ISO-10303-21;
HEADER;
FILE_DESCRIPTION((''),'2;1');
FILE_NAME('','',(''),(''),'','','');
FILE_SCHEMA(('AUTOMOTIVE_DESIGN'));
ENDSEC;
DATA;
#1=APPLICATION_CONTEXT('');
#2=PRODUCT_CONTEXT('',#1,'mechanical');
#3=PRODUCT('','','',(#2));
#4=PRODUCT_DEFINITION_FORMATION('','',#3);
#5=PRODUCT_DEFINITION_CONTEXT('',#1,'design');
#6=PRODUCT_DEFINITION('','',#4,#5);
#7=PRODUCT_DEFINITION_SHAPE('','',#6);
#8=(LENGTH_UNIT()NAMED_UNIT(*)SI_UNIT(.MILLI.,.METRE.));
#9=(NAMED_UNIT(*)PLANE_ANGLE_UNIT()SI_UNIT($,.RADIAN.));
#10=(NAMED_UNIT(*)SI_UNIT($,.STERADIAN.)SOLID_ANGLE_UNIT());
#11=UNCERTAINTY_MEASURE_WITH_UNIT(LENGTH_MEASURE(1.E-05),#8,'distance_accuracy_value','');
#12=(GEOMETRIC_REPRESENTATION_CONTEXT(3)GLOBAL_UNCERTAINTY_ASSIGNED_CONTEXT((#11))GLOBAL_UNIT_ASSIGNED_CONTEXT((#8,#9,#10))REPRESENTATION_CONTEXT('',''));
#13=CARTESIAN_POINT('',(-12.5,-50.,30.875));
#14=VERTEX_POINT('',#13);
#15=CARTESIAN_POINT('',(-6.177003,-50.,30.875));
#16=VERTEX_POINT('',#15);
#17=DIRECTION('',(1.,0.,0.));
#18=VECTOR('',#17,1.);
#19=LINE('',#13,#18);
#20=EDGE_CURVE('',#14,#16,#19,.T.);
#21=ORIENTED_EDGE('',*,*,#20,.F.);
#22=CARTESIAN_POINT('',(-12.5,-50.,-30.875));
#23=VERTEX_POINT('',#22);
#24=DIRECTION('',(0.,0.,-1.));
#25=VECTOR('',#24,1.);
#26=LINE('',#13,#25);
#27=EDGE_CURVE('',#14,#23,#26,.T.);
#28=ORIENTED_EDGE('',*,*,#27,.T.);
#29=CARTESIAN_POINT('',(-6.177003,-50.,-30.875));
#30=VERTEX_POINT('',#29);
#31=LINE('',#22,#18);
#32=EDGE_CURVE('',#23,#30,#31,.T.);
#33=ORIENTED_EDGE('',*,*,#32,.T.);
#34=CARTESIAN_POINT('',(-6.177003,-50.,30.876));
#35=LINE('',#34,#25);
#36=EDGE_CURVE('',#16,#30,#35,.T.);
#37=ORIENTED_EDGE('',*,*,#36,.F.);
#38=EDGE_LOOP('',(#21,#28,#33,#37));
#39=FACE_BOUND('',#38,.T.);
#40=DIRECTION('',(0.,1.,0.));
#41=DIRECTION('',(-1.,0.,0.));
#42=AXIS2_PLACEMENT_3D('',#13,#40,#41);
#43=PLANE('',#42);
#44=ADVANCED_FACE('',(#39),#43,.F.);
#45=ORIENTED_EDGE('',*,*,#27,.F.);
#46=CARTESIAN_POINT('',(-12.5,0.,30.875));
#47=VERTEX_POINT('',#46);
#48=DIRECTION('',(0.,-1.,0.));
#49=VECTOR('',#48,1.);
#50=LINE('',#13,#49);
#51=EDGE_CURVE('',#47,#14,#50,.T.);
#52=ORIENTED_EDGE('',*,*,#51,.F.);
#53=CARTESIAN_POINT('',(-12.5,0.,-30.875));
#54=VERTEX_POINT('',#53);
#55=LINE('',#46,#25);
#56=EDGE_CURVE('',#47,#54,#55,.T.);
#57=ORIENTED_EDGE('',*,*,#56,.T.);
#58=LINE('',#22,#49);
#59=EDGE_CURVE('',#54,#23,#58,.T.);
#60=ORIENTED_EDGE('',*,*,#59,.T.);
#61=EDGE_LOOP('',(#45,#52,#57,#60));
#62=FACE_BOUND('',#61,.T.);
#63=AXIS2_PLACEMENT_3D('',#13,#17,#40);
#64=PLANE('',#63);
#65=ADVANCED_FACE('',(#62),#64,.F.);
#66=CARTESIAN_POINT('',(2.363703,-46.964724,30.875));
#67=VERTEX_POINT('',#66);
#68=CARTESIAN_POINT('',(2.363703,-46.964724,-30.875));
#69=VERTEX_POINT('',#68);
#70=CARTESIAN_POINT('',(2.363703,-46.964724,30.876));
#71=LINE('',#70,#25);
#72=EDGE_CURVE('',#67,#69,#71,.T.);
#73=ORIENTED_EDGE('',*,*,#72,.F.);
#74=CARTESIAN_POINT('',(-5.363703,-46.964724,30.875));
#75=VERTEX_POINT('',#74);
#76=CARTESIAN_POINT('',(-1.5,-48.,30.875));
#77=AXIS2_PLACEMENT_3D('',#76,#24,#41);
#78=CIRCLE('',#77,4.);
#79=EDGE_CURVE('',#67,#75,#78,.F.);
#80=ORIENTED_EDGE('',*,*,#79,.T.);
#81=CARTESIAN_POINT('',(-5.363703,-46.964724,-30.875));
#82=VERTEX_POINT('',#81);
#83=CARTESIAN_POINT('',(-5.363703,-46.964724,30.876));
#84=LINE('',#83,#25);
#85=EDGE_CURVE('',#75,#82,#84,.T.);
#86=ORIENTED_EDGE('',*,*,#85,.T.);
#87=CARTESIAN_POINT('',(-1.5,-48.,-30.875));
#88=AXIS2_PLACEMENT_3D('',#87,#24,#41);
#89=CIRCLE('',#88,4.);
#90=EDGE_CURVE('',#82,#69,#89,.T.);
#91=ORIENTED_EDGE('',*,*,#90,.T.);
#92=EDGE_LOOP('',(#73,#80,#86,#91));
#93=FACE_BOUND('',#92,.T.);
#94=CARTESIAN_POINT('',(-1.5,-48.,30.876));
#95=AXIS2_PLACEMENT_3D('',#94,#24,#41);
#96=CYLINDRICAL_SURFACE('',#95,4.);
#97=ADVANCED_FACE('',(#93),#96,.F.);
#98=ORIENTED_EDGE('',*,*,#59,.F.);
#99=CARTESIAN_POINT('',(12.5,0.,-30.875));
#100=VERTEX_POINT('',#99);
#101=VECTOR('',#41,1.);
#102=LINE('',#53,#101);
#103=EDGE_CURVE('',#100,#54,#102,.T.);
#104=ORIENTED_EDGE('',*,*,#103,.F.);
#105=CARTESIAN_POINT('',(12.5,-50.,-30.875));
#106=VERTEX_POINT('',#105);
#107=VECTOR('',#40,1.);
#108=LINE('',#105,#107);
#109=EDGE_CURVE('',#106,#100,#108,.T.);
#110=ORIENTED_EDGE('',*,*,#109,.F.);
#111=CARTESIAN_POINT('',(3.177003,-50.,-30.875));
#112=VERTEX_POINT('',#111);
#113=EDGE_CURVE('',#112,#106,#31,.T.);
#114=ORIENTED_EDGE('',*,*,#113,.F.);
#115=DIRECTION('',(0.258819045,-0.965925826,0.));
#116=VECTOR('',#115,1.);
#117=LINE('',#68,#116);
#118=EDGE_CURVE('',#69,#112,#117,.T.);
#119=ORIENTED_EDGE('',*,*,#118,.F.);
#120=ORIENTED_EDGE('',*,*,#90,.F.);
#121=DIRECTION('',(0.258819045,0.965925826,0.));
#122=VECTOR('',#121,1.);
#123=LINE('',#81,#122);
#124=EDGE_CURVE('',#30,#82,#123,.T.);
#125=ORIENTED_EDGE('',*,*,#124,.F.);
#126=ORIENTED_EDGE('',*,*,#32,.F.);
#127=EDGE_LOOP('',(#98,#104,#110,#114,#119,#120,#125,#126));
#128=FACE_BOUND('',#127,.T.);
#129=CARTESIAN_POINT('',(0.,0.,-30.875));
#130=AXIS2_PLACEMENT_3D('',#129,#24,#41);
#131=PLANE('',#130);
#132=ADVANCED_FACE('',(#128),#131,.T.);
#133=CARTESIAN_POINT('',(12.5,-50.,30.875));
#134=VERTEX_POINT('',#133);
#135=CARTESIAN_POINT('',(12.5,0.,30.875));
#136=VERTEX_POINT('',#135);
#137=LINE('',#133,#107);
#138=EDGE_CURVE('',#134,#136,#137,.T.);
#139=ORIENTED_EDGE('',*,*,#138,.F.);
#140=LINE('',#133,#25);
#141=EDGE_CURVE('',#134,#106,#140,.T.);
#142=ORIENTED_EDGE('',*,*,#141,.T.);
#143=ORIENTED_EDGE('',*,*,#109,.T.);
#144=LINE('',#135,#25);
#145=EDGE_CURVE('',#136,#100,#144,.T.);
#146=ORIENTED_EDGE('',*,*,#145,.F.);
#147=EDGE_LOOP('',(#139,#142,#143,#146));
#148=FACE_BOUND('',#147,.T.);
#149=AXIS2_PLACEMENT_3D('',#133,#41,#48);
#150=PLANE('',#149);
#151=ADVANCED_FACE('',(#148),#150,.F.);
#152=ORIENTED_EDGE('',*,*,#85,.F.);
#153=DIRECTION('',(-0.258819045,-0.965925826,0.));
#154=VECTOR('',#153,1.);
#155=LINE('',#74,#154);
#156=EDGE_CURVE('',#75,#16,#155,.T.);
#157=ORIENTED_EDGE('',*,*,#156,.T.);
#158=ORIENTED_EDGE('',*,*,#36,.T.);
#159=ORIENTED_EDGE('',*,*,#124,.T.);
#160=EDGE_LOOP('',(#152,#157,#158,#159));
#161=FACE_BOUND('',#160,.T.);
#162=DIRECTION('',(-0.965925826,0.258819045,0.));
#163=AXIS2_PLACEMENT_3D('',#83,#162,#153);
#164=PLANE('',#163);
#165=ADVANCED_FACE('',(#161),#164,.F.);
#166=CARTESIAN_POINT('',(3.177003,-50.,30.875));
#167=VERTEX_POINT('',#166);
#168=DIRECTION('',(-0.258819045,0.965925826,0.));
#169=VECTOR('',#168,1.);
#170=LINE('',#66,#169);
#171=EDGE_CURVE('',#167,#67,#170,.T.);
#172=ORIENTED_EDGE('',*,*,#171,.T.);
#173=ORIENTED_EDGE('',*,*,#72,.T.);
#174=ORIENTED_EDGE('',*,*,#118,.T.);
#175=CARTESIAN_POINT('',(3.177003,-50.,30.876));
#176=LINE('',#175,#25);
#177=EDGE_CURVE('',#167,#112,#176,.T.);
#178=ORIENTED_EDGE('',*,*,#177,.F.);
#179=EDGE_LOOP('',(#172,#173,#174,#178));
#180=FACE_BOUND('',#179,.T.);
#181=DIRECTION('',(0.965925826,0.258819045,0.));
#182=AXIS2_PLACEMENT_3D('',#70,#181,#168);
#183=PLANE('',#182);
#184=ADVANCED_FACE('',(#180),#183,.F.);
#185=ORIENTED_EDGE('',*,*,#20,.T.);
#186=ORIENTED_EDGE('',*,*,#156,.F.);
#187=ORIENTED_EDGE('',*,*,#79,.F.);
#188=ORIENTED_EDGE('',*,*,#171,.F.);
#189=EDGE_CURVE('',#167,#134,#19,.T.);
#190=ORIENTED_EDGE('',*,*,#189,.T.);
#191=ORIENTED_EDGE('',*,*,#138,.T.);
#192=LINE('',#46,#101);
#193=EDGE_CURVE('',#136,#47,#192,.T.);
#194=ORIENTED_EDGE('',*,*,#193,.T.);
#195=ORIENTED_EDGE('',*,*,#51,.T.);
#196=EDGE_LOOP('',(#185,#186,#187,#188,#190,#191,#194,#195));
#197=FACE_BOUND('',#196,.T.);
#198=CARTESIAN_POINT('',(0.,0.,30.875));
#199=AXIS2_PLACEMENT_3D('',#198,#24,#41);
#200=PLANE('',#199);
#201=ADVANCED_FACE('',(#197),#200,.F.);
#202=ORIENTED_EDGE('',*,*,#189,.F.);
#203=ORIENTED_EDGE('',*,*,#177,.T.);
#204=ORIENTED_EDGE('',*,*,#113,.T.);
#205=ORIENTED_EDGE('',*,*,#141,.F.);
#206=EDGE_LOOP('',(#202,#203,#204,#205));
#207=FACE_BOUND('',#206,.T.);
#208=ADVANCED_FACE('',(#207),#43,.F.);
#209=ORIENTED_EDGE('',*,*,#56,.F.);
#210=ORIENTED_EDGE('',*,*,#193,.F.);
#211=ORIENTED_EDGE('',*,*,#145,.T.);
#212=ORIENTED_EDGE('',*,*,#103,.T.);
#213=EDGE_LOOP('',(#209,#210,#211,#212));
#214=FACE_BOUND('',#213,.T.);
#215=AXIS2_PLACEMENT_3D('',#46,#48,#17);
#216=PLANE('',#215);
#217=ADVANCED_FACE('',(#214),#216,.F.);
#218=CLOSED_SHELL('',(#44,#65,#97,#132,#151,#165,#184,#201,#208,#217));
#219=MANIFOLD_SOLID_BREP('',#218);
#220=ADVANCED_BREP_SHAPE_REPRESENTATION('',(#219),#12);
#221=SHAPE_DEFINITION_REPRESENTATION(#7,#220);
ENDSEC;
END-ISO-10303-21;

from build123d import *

# Parameters (mm, degrees)
SKETCH1_W           = 25
SKETCH1_H           = 50
BOSS_EXTRUDE1_DEPTH = 30.875
CUT_EXTRUDE1_REACH  = 82.432


with BuildPart() as part:
    # Sketch1 → Boss-Extrude1 (new, symmetric)
    with BuildSketch(Plane.XY):
        with Locations((0, -25)):
            Rectangle(SKETCH1_W, SKETCH1_H)
    extrude(amount=BOSS_EXTRUDE1_DEPTH, both=True)

    # Sketch2 → Cut-Extrude1 (cut, up to next)
    with BuildSketch(Plane(origin=(0, 0, -30.875), x_dir=(-1, 0, 0), z_dir=(0, 0, -1)), mode=Mode.PRIVATE) as cut_extrude1_sk1:
        with BuildLine():
            Line((-2.363703305, -46.96472382), (-3.177003107, -50))
            Line((-3.177003107, -50), (6.177003107, -50))
            Line((6.177003107, -50), (5.363703305, -46.96472382))
            ThreePointArc((5.363703305, -46.96472382), (1.5, -44), (-2.363703305, -46.96472382))
        make_face()
    cut_extrude1_tool1 = extrude(cut_extrude1_sk1.sketch, amount=-CUT_EXTRUDE1_REACH, mode=Mode.PRIVATE) & part.part
    add(cut_extrude1_tool1.solids().sort_by_distance((-1.5, -47.423831, -30.875))[0], mode=Mode.SUBTRACT)


solid = part.part
